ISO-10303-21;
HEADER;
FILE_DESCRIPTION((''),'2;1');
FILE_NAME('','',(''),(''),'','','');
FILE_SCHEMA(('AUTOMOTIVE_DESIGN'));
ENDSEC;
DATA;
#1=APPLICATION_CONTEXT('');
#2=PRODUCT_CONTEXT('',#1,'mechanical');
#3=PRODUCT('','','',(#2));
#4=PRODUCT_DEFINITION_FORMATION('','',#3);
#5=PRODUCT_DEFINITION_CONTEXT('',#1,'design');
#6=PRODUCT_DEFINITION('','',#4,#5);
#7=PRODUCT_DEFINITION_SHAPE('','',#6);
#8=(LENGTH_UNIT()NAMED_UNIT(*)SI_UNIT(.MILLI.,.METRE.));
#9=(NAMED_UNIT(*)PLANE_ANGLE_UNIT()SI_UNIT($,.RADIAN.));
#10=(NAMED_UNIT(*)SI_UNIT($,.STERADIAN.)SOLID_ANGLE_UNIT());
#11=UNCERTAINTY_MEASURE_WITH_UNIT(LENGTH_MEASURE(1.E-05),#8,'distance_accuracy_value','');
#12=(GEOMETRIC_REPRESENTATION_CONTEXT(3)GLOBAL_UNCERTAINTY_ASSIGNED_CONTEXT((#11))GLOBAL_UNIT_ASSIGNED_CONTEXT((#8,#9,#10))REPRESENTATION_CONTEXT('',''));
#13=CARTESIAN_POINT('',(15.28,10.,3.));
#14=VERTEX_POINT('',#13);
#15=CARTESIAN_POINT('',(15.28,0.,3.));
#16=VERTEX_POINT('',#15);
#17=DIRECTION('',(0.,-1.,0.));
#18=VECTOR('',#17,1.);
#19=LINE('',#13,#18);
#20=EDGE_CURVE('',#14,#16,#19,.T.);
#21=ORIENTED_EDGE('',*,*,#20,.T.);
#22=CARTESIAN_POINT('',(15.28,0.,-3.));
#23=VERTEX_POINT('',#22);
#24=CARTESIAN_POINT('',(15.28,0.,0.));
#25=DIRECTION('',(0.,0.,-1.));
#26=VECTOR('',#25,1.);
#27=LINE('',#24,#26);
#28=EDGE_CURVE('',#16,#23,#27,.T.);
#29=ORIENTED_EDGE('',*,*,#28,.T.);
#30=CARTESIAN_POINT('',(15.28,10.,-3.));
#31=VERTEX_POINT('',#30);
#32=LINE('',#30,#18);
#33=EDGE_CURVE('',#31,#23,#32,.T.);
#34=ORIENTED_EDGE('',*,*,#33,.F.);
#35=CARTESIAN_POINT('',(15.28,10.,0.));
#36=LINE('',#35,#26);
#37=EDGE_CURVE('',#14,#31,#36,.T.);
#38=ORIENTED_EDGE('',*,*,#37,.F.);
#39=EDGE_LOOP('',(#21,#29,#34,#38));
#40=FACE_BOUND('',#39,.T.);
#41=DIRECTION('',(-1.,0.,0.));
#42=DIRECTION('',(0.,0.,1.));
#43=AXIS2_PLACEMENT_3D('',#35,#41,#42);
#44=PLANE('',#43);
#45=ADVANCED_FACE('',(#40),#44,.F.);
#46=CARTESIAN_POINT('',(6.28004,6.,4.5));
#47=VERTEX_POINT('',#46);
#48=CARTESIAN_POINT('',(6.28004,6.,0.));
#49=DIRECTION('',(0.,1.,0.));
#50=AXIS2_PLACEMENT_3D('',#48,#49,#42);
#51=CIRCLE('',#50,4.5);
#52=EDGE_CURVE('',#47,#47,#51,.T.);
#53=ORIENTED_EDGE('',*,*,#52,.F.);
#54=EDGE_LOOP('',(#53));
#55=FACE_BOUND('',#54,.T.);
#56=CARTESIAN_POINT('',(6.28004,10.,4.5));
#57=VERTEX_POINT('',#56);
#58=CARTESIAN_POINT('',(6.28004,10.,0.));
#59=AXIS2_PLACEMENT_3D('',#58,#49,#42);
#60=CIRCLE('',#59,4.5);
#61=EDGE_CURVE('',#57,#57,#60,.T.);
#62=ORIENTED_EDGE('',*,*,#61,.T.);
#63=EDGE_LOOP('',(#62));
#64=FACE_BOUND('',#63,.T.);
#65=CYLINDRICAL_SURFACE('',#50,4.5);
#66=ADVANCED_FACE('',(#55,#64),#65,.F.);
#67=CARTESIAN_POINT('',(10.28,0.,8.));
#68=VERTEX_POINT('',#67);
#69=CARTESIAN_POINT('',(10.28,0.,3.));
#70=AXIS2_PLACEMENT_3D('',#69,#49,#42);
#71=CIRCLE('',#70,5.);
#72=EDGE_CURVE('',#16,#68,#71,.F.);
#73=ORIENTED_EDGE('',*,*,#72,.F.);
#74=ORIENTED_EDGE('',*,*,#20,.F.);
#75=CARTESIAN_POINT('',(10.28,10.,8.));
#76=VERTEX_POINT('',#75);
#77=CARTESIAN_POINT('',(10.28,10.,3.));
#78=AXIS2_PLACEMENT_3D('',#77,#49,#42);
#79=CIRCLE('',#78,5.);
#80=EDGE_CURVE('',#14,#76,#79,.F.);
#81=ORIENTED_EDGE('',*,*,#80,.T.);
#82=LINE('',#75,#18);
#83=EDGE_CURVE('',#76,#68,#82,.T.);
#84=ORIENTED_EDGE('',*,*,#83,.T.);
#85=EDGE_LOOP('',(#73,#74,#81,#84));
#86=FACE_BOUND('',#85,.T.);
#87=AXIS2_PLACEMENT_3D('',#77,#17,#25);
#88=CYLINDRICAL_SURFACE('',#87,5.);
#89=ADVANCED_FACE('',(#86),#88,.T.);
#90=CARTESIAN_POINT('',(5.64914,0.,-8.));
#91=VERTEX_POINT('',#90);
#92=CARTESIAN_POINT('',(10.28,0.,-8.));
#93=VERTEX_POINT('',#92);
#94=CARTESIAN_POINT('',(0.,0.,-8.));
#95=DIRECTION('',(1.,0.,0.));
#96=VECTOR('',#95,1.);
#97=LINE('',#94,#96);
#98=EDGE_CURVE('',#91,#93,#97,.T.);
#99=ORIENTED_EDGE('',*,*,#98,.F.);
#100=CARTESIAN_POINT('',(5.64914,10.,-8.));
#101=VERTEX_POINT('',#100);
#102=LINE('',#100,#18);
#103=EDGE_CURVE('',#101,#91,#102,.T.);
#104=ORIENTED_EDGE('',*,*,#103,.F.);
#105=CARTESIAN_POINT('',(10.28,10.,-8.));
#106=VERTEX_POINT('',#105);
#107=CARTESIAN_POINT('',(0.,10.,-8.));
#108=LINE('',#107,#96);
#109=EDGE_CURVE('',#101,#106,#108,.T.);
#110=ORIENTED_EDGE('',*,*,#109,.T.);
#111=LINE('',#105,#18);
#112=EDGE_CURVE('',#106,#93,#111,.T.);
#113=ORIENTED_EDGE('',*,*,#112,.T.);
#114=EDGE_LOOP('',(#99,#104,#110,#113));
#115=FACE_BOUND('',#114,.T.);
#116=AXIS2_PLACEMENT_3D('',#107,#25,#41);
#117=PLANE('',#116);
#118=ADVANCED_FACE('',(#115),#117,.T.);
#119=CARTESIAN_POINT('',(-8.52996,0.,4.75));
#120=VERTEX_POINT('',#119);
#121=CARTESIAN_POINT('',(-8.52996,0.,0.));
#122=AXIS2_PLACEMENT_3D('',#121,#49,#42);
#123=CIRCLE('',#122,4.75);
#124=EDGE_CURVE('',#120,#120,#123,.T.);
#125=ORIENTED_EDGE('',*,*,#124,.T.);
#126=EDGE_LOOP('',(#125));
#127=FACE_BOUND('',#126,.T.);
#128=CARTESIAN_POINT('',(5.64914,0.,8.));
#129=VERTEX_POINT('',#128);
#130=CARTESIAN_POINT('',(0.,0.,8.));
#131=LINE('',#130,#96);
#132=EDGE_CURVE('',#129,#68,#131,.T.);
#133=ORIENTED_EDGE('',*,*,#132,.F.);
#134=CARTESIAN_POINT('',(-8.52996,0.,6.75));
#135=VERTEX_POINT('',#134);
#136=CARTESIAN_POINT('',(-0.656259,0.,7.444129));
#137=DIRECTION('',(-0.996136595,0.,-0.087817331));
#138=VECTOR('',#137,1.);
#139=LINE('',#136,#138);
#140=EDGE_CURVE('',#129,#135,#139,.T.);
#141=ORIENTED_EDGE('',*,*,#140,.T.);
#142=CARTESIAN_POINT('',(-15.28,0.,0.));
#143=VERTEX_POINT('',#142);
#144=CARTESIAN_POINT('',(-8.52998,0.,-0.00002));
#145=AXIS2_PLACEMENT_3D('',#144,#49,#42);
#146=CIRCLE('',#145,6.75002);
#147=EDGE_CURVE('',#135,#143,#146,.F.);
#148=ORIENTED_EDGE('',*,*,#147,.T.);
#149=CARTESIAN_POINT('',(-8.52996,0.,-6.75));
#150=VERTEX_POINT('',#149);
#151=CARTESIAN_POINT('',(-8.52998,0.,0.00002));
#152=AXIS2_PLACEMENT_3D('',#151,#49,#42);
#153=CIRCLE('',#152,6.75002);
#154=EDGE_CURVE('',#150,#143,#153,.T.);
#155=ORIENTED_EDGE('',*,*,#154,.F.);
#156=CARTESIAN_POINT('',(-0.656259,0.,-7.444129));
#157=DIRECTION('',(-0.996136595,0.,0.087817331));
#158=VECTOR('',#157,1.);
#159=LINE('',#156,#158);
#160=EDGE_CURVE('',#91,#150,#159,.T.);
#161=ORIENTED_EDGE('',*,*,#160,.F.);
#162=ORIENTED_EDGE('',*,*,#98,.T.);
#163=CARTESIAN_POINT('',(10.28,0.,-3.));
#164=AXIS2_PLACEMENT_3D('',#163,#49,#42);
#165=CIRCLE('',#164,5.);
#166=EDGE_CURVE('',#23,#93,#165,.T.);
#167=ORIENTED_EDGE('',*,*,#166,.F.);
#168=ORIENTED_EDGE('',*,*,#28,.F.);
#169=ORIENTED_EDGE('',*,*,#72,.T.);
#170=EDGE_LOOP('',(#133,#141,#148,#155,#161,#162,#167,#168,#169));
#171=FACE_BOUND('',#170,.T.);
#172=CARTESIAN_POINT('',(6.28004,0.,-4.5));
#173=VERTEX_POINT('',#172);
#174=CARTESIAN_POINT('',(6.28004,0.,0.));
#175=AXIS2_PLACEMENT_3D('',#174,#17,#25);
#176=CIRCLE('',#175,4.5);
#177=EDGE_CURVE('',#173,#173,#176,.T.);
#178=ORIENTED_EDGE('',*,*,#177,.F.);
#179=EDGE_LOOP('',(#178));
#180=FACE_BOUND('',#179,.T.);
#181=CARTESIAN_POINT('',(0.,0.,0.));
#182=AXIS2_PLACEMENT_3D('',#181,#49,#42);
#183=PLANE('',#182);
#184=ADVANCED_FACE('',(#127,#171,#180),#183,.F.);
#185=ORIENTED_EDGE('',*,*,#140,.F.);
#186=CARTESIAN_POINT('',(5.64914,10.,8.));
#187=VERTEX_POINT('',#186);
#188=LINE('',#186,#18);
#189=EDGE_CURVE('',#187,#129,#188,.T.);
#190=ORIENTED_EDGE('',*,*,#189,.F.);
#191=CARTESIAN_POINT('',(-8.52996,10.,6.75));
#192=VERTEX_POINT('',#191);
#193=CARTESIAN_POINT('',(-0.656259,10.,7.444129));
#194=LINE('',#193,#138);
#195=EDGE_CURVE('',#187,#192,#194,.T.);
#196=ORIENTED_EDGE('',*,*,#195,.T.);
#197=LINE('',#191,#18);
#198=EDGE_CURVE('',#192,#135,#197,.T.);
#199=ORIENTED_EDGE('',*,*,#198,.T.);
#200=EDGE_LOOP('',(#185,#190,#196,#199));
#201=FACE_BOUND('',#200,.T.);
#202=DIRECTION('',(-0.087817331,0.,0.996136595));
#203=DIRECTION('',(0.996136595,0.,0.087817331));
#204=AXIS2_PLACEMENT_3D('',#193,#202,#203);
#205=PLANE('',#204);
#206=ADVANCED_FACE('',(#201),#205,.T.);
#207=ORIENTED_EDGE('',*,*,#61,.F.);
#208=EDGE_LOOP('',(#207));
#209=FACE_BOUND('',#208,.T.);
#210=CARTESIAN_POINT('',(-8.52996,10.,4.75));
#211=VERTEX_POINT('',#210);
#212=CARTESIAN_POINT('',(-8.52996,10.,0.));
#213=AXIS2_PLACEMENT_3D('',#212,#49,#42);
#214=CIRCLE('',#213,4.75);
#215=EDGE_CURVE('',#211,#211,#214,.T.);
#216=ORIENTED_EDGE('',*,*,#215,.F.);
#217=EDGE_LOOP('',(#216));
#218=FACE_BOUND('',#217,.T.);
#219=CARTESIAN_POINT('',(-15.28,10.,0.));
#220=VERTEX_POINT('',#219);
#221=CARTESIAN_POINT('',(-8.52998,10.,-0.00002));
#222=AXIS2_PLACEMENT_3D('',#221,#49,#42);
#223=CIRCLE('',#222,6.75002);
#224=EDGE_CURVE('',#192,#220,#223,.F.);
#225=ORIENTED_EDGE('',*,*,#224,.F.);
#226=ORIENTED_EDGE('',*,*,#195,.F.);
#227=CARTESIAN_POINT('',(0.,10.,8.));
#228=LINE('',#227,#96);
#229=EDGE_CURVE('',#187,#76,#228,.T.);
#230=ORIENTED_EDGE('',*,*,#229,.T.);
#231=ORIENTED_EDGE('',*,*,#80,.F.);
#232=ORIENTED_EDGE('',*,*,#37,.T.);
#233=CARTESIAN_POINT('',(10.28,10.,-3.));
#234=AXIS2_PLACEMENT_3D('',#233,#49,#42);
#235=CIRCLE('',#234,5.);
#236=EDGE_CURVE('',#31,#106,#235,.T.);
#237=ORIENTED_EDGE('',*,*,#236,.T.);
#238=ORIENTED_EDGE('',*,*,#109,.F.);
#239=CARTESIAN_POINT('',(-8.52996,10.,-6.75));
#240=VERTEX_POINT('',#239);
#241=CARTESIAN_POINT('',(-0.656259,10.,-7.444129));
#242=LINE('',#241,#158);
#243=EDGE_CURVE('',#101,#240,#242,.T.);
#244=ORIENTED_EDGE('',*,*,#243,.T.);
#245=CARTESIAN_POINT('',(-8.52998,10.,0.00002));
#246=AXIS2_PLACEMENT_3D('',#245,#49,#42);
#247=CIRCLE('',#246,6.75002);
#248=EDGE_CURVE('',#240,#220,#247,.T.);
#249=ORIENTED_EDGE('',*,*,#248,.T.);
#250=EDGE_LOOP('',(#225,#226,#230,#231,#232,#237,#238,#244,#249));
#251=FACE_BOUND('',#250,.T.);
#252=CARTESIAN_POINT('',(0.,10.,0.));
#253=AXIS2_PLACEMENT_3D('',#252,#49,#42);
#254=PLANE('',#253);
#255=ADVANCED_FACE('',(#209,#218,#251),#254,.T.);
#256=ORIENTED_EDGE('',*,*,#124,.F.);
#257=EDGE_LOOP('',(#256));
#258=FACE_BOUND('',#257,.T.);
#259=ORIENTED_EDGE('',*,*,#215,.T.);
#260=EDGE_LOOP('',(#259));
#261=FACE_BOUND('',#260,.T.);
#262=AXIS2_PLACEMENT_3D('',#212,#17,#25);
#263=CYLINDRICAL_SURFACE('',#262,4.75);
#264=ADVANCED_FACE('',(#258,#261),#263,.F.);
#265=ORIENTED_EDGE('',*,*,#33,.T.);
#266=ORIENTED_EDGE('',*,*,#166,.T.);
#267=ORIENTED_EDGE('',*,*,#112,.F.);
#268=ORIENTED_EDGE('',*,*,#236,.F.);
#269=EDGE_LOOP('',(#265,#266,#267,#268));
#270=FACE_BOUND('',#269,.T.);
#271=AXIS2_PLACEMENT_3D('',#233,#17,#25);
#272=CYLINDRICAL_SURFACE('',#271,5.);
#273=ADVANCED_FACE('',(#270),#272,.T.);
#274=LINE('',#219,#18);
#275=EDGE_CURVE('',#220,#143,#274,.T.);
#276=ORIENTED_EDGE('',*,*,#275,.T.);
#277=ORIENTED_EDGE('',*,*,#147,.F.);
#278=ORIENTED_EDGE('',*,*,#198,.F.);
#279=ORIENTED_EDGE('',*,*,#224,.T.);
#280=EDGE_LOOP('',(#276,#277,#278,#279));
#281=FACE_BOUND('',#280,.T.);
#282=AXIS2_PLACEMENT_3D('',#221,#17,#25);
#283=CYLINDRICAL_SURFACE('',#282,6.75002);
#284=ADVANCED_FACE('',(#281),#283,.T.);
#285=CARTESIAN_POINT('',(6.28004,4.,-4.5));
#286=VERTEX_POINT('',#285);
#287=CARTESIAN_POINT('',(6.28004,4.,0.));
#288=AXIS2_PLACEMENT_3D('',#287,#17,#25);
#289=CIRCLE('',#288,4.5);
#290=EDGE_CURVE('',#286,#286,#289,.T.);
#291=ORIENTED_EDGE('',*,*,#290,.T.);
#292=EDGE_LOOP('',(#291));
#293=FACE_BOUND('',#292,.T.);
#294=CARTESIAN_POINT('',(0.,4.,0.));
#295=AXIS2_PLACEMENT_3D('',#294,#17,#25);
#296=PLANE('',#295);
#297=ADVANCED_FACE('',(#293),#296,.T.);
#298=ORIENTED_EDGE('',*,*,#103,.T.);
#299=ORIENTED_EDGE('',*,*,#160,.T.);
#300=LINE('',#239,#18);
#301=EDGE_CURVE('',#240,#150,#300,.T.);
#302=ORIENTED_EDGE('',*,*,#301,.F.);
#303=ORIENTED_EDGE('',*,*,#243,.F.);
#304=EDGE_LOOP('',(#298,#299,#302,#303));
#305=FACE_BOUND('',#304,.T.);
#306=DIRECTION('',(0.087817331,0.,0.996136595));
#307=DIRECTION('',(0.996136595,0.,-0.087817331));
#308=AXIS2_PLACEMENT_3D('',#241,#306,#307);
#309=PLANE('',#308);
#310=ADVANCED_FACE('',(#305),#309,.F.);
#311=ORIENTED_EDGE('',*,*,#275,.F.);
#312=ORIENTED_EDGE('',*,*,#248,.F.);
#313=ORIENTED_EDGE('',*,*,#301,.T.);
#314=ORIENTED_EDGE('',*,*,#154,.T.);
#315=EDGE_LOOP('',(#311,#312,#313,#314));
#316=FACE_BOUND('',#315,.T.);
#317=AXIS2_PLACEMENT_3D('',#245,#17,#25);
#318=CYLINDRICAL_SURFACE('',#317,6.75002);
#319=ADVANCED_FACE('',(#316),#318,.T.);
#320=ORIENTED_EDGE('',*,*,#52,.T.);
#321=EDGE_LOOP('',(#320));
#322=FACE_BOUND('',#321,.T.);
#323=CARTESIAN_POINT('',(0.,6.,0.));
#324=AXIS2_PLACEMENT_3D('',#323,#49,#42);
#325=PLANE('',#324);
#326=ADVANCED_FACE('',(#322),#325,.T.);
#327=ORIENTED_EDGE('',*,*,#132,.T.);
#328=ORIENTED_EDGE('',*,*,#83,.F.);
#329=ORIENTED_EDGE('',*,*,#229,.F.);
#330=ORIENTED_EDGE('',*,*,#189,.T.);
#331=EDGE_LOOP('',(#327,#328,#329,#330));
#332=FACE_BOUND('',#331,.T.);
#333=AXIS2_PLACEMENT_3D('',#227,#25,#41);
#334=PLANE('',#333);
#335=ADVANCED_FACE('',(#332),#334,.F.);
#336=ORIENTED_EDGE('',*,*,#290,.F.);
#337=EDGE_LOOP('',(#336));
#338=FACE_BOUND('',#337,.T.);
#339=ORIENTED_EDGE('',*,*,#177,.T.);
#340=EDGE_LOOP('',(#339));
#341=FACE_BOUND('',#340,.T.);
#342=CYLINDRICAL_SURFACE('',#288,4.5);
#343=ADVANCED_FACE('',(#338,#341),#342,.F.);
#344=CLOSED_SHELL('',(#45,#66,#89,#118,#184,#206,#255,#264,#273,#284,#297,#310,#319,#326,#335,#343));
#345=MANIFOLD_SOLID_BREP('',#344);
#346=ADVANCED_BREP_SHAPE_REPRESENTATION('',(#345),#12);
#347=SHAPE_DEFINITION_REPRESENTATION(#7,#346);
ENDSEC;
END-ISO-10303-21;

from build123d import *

# Parameters (mm, degrees)
SKETCH1_R           = 4.75
BOSS_EXTRUDE1_DEPTH = 10
SKETCH2_R           = 4.5
CUT_EXTRUDE1_DEPTH  = 4
CUT_EXTRUDE2_START  = -4
SKETCH4_R           = 4.5
CUT_EXTRUDE2_DEPTH  = 4


with BuildPart() as part:
    # Sketch1 → Boss-Extrude1 (new body)
    with BuildSketch(Plane(origin=(0, 0, 0), x_dir=(1, 0, 0), z_dir=(0, 1, 0))):
        with BuildLine():
            Line((5.649139951, 8), (10.28, 8))
            ThreePointArc((10.28, 8), (13.815533906, 6.535533906), (15.28, 3))
            Line((15.28, 3), (15.28, -3))
            ThreePointArc((15.28, -3), (13.815533906, -6.535533906), (10.28, -8))
            Line((10.28, -8), (5.649139951, -8))
            Line((5.649139951, -8), (-8.529960299, -6.75))
            ThreePointArc((-8.529960299, -6.75), (-13.302950922, -4.772978995), (-15.28, 0))
            ThreePointArc((-15.28, 0), (-13.302950922, 4.772978995), (-8.529960299, 6.75))
            Line((-8.529960299, 6.75), (5.649139951, 8))
        make_face()
        with Locations(Location((-8.529960299, 0, 0), (0, 0, 270))):
            Circle(SKETCH1_R, mode=Mode.SUBTRACT)
    extrude(amount=BOSS_EXTRUDE1_DEPTH)

    # Sketch2 → Cut-Extrude1 (cut)
    with BuildSketch(Plane(origin=(0, 10, 0), x_dir=(1, 0, 0), z_dir=(0, 1, 0))):
        with Locations(Location((6.280039701, 0, 0), (0, 0, 270))):
            Circle(SKETCH2_R)
    extrude(amount=-CUT_EXTRUDE1_DEPTH, mode=Mode.SUBTRACT)

    # Sketch4 → Cut-Extrude2 (cut)
    with BuildSketch(Plane.XZ.offset(CUT_EXTRUDE2_START)):
        with Locations(Location((6.280039701, 0, 0), (0, 0, 90))):
            Circle(SKETCH4_R)
    extrude(amount=CUT_EXTRUDE2_DEPTH, mode=Mode.SUBTRACT)


solid = part.part
